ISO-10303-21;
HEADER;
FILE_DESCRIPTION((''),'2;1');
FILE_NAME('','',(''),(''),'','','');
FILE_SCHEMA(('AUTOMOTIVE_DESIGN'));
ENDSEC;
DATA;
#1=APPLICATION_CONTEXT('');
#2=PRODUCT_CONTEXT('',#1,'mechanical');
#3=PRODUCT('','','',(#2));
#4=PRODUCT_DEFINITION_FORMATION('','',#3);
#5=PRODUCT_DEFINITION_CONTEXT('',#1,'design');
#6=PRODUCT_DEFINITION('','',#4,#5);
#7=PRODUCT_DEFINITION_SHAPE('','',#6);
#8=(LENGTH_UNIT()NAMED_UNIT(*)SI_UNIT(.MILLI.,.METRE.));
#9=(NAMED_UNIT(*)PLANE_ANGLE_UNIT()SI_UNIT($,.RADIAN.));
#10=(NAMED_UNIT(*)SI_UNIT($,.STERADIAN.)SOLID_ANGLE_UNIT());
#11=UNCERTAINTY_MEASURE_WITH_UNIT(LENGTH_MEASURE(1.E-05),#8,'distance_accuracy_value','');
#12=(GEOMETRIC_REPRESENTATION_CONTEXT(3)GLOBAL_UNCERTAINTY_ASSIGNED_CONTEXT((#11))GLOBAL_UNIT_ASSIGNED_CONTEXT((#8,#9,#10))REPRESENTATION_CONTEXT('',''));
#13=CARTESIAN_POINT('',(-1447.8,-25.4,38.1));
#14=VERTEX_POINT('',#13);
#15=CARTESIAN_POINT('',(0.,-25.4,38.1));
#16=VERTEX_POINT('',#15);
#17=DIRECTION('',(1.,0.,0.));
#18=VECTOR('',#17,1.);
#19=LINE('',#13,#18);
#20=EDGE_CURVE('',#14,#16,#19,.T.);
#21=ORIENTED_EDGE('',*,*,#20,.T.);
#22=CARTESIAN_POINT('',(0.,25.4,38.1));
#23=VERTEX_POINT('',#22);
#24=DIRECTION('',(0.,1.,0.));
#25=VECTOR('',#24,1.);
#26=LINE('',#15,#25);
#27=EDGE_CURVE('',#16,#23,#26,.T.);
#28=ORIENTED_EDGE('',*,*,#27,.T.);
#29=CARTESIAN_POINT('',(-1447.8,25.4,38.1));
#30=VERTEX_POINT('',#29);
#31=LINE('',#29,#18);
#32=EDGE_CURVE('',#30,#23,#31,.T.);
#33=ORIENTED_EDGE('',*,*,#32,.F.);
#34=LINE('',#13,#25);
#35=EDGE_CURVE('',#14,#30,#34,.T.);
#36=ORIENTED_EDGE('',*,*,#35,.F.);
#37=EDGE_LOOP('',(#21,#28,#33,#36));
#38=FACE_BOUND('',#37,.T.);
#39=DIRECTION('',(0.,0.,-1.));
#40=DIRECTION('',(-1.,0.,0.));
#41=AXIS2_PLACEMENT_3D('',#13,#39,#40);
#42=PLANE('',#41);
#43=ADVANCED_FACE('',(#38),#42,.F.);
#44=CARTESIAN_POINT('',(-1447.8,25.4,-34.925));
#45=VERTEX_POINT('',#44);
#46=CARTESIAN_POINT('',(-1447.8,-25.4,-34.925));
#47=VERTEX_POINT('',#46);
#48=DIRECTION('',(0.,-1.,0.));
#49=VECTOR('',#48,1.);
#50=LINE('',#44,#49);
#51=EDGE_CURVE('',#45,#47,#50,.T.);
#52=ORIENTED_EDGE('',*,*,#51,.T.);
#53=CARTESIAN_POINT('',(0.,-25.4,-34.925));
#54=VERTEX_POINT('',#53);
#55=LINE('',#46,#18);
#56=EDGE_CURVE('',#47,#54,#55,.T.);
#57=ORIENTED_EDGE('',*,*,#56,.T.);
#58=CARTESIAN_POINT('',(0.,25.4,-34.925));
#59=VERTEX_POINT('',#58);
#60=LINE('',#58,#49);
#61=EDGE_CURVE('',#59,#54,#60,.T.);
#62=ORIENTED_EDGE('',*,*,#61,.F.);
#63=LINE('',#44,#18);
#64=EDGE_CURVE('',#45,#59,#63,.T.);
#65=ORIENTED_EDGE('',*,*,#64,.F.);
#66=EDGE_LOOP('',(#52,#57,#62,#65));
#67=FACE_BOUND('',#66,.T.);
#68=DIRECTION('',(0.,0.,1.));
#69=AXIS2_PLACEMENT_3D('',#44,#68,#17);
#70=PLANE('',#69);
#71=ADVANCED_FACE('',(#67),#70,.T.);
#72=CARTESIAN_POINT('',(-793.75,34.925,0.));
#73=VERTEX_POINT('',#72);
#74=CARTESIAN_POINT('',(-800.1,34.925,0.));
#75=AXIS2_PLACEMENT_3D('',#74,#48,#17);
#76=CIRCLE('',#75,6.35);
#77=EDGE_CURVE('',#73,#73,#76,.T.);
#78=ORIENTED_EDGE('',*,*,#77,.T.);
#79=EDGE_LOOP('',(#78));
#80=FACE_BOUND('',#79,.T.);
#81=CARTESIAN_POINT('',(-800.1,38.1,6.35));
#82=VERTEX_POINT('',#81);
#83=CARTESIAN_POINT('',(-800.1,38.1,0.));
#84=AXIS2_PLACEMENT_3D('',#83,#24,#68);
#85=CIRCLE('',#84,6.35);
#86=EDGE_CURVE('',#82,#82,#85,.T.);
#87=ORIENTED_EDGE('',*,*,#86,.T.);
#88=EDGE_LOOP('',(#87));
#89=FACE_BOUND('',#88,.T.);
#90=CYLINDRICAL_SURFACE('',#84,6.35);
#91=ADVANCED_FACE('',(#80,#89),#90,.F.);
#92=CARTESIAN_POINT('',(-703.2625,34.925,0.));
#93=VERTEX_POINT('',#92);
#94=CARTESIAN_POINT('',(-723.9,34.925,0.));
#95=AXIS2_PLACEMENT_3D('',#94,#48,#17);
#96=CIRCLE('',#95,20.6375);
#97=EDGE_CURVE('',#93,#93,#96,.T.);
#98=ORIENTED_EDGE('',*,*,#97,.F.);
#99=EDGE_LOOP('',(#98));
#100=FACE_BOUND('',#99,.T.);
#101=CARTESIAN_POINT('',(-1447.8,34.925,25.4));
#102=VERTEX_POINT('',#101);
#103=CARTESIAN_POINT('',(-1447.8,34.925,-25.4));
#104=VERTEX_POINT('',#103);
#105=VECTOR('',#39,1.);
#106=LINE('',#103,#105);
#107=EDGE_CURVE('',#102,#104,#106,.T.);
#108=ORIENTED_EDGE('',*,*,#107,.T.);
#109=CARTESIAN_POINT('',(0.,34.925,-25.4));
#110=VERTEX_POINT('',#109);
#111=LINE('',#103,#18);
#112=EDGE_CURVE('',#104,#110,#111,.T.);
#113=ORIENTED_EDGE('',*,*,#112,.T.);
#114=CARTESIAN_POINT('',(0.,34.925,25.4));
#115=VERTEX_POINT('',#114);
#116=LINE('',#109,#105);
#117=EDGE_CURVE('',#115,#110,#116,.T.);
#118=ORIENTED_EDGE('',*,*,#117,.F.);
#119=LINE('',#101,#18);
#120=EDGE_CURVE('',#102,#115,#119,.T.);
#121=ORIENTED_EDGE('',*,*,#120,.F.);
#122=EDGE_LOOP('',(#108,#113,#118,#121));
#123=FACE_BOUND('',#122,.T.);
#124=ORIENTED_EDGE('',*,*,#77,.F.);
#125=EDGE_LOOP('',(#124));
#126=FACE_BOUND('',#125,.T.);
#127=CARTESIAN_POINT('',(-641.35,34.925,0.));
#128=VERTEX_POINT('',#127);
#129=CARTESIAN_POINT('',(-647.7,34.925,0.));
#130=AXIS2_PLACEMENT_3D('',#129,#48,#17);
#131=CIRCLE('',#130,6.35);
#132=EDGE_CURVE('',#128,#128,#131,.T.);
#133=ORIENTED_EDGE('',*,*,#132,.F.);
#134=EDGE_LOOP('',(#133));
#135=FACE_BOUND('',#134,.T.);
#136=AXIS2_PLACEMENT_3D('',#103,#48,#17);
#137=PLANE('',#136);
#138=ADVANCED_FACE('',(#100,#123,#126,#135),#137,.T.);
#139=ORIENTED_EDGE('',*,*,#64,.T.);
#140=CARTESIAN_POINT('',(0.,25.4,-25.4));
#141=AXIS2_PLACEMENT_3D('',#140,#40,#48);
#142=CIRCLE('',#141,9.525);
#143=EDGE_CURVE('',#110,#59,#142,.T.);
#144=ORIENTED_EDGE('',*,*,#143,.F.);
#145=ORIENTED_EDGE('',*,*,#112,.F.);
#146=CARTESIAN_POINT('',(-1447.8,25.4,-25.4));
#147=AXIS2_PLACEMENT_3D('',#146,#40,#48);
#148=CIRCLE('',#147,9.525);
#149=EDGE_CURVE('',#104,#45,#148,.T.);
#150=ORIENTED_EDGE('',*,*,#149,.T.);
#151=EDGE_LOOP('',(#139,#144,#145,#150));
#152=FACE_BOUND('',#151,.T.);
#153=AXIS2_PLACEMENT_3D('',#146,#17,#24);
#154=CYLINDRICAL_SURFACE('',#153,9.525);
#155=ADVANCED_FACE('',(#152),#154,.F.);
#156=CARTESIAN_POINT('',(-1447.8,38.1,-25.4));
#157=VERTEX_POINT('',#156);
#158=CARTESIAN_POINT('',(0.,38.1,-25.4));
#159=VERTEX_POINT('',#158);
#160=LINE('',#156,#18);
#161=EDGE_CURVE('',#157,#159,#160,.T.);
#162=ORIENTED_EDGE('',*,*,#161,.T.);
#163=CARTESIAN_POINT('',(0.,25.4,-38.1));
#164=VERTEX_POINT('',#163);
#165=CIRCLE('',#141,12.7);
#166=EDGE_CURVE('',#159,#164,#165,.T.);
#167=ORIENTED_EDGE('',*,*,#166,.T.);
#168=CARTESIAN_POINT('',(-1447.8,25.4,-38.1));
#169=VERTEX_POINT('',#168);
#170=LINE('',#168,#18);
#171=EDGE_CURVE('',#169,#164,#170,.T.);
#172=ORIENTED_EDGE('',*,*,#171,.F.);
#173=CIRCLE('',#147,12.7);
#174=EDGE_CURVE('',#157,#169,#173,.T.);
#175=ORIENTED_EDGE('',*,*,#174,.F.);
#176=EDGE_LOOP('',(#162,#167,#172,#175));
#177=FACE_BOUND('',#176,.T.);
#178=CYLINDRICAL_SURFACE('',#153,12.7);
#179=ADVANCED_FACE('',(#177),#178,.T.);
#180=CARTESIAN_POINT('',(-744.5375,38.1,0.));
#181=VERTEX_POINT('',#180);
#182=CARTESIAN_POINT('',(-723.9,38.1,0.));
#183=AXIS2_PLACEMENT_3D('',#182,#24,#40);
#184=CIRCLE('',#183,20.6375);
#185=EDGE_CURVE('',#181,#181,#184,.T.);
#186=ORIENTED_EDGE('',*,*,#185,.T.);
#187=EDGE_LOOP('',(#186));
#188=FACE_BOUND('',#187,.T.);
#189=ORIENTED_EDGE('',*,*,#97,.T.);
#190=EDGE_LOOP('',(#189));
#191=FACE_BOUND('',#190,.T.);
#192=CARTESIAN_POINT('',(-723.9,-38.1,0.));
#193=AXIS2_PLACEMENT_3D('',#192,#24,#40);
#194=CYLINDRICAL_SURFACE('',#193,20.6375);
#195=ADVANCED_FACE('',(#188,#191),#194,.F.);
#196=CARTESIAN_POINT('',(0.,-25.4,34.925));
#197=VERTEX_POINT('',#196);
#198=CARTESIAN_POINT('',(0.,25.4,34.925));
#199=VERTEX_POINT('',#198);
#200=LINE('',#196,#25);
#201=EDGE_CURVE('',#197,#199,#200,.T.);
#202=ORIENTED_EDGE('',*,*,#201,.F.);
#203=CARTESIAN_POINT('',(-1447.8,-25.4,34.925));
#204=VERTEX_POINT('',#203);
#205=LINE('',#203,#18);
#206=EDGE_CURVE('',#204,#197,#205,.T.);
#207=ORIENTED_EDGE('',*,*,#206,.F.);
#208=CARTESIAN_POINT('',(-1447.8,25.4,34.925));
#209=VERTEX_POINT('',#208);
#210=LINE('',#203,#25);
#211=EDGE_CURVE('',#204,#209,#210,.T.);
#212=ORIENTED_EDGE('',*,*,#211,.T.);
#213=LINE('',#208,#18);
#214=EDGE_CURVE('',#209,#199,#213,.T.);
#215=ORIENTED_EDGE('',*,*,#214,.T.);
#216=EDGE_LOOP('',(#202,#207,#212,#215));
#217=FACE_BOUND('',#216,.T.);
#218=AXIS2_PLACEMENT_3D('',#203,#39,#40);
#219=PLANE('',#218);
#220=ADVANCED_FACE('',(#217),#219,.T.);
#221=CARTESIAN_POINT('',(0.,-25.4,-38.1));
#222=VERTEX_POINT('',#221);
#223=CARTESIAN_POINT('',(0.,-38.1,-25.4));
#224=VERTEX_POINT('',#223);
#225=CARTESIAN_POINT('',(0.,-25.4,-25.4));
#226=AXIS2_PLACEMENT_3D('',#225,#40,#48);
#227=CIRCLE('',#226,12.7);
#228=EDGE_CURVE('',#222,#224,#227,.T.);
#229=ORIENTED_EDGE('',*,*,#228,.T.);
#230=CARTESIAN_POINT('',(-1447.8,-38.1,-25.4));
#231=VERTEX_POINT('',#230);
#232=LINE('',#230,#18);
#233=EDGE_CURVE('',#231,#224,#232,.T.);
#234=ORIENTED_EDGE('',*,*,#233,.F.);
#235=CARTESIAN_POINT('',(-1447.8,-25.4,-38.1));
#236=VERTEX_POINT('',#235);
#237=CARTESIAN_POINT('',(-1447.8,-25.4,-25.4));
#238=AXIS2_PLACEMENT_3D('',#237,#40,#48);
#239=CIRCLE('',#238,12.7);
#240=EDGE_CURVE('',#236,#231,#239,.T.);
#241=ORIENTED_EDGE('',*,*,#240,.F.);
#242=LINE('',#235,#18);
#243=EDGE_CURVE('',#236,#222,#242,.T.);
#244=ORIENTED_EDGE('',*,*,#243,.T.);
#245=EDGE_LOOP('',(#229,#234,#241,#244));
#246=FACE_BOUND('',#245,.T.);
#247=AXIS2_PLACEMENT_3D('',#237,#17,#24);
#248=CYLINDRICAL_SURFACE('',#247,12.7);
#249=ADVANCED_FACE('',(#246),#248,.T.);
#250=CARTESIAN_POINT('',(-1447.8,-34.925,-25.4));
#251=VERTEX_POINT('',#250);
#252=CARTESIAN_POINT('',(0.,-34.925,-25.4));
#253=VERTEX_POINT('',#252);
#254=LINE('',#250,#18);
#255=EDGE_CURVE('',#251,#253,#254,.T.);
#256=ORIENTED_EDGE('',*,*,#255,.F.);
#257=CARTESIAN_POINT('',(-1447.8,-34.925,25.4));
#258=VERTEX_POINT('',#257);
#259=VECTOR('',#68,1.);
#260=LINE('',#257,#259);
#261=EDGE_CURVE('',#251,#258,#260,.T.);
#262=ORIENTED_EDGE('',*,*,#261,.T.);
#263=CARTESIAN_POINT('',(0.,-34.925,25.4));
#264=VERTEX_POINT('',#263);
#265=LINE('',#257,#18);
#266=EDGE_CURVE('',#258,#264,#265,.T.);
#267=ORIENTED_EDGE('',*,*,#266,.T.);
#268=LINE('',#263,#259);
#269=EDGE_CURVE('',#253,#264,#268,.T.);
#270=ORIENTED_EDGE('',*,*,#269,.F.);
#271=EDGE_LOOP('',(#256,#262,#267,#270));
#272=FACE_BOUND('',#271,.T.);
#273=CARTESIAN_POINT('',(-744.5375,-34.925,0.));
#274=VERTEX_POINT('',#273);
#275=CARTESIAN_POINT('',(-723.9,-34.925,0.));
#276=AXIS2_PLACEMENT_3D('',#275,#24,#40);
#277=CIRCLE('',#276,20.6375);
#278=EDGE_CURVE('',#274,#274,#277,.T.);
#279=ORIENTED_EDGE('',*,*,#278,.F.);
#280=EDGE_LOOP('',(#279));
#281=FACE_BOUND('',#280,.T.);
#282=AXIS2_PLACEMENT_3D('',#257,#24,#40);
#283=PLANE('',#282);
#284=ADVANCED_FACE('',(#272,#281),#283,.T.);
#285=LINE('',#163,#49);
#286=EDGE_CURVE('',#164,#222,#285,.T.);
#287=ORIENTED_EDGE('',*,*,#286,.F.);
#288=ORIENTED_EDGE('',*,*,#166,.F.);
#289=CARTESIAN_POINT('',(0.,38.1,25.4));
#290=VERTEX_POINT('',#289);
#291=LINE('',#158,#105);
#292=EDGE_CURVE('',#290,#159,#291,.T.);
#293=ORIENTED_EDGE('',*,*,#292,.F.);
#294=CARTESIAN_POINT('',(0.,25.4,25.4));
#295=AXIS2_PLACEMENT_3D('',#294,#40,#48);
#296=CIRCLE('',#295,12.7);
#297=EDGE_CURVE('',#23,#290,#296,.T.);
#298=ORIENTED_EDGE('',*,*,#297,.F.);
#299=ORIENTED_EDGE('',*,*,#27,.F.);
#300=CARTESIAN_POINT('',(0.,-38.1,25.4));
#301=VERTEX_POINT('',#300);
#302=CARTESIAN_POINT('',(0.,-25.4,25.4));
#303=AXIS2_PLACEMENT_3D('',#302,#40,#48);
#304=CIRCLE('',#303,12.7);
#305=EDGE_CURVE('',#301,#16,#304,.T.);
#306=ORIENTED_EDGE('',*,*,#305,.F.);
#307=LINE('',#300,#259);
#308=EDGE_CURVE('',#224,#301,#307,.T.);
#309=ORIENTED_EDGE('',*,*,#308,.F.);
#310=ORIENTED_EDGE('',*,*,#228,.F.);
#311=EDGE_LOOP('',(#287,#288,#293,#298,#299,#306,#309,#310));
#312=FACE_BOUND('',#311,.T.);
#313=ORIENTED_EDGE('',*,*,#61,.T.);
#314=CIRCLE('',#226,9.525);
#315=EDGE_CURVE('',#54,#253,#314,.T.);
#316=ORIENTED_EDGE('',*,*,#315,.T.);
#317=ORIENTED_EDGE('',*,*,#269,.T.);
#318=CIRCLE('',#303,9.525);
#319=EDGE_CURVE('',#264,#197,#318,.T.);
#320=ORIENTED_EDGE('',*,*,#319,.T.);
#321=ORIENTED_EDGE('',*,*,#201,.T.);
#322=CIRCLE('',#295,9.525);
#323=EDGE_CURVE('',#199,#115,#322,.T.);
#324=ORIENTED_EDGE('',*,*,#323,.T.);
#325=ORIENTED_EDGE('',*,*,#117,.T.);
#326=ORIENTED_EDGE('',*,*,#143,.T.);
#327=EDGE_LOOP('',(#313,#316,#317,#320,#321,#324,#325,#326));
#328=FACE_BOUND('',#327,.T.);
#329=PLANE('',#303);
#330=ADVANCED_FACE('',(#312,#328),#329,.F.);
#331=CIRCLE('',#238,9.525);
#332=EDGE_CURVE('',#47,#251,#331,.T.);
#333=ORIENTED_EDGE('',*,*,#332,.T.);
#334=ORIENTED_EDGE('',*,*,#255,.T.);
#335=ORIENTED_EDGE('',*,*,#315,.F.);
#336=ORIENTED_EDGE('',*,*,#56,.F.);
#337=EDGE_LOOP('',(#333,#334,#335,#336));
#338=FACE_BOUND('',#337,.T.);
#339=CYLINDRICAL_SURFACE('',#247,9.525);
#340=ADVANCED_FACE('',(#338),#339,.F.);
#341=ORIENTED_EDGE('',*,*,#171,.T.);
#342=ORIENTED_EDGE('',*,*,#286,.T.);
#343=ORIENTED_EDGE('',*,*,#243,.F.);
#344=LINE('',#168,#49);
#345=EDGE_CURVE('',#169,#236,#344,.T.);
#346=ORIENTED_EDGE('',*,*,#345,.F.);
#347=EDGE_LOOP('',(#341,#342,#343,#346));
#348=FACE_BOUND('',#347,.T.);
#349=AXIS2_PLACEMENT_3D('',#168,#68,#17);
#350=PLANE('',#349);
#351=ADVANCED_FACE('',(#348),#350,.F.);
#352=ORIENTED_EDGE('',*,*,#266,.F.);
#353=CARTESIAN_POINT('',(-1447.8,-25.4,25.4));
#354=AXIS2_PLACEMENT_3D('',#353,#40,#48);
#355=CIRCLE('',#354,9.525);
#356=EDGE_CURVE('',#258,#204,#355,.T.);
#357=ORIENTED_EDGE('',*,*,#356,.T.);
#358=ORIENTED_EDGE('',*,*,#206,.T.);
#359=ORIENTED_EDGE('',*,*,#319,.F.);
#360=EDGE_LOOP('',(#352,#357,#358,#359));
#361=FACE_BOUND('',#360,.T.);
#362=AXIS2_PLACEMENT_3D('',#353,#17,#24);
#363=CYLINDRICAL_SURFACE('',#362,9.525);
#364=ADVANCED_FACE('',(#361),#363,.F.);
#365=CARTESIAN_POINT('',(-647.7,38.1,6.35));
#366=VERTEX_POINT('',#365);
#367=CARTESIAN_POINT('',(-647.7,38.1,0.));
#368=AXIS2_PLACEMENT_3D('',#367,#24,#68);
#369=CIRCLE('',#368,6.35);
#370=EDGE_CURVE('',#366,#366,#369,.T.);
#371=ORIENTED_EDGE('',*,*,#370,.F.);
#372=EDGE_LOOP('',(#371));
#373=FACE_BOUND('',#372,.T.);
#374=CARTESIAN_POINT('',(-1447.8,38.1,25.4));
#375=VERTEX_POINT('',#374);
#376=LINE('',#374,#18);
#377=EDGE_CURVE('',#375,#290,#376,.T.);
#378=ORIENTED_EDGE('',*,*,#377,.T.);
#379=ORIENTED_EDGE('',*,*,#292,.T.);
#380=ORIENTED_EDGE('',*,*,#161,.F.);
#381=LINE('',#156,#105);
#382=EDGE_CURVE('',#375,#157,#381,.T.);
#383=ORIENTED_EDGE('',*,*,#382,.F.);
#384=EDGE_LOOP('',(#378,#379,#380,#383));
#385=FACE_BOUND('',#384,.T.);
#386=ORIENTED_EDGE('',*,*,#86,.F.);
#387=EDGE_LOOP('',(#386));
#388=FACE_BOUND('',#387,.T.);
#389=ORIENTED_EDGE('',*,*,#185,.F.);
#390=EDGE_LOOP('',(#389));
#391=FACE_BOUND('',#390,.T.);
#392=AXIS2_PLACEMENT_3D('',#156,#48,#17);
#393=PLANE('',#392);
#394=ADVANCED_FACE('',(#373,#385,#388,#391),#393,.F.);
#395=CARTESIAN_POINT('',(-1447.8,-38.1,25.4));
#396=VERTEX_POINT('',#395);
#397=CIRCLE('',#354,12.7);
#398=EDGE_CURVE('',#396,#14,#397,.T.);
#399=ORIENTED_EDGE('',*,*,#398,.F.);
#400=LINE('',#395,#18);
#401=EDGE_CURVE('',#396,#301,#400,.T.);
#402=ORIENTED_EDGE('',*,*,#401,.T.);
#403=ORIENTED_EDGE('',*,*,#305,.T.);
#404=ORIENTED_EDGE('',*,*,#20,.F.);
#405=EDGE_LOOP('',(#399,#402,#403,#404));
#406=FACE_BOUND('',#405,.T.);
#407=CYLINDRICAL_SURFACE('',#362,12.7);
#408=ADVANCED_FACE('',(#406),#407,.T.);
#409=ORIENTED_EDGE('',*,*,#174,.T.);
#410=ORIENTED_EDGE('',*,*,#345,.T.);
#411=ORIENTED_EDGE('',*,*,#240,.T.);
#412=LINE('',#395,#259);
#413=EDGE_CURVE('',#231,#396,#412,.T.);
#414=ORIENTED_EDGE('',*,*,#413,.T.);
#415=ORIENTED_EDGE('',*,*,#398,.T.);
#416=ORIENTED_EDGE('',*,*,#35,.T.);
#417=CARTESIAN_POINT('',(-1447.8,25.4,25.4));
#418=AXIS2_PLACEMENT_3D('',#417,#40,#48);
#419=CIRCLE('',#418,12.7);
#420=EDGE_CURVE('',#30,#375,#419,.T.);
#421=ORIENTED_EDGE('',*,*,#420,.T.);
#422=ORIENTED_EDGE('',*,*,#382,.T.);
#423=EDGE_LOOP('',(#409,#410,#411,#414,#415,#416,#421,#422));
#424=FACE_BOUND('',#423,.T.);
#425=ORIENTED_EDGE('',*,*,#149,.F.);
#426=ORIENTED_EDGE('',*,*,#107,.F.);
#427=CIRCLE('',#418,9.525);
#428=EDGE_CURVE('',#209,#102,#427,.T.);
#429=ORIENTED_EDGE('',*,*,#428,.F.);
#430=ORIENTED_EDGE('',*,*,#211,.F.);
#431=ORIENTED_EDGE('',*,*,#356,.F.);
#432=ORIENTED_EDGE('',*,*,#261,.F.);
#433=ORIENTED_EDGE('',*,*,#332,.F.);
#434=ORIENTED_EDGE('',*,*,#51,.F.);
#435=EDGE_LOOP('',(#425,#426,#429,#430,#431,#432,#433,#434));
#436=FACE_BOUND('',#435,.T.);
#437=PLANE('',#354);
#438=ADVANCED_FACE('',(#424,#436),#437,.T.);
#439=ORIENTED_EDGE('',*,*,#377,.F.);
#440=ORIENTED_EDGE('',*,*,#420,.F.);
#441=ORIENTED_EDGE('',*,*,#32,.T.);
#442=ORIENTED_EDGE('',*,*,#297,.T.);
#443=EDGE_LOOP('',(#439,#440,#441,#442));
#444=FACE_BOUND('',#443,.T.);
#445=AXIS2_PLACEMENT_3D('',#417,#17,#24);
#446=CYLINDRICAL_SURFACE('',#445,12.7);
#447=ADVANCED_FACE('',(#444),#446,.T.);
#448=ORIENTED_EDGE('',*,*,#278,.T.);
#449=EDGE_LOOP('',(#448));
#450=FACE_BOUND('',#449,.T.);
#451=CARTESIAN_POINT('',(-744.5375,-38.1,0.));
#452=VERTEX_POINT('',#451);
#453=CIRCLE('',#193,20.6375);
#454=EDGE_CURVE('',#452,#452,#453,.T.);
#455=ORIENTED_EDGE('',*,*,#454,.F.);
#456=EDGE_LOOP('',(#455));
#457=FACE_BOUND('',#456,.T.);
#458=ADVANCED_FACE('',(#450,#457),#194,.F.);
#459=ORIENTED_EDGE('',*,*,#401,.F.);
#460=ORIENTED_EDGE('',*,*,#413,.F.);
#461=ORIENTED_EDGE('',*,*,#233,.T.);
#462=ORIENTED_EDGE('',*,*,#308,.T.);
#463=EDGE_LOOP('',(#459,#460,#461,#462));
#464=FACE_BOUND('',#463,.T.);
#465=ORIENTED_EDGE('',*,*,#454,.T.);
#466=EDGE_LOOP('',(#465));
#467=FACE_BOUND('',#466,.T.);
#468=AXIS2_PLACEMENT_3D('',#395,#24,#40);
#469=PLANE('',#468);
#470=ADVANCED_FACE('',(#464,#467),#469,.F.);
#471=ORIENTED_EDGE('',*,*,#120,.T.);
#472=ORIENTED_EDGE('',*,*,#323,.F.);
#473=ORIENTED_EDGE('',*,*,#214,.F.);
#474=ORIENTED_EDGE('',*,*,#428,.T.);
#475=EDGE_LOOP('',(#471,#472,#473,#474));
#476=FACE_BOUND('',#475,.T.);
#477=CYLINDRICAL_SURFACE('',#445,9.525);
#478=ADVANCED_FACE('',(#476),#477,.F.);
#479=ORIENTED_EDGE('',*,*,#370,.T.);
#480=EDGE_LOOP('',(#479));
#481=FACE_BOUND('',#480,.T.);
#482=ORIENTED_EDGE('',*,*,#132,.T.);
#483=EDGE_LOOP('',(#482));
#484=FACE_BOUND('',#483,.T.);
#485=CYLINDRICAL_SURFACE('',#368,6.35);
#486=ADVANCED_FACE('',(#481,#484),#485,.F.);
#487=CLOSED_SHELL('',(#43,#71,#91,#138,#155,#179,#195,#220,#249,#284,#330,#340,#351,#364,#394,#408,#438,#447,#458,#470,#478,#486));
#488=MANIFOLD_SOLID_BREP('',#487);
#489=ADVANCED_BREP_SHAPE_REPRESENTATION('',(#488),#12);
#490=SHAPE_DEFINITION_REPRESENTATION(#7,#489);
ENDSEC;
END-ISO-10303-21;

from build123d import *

# Parameters (mm, degrees)
STRUCTURAL_MEMBER1_DEPTH       = 1447.8
SKETCH12_R                     = 20.6375
CUT_EXTRUDE1_DEPTH             = 1451.304412873
F_1_2_0_5_DIAMETER_HOLE1_D     = 12.7
F_1_2_0_5_DIAMETER_HOLE1_DEPTH = 25.4
F_1_2_0_5_DIAMETER_HOLE1_TIP   = 3.815464931


with BuildPart() as part:
    # Sketch11 → Structural Member1 (new body)
    with BuildSketch(Plane(origin=(0, 0, 0), x_dir=(0, -1, 0), z_dir=(-1, 0, 0))):
        with BuildLine():
            Line((-25.4, -38.1), (25.4, -38.1))
            ThreePointArc((25.4, -38.1), (34.380256121, -34.380256121), (38.1, -25.4))
            Line((38.1, -25.4), (38.1, 25.4))
            ThreePointArc((38.1, 25.4), (34.380256121, 34.380256121), (25.4, 38.1))
            Line((25.4, 38.1), (-25.4, 38.1))
            ThreePointArc((-25.4, 38.1), (-34.380256121, 34.380256121), (-38.1, 25.4))
            Line((-38.1, 25.4), (-38.1, -25.4))
            ThreePointArc((-38.1, -25.4), (-34.380256121, -34.380256121), (-25.4, -38.1))
        make_face()
        with BuildLine():
            Line((-25.4, -34.925), (25.4, -34.925))
            ThreePointArc((25.4, -34.925), (32.135192091, -32.135192091), (34.925, -25.4))
            Line((34.925, -25.4), (34.925, 25.4))
            ThreePointArc((34.925, 25.4), (32.135192091, 32.135192091), (25.4, 34.925))
            Line((25.4, 34.925), (-25.4, 34.925))
            ThreePointArc((-25.4, 34.925), (-32.135192091, 32.135192091), (-34.925, 25.4))
            Line((-34.925, 25.4), (-34.925, -25.4))
            ThreePointArc((-34.925, -25.4), (-32.135192091, -32.135192091), (-25.4, -34.925))
        make_face(mode=Mode.SUBTRACT)
    extrude(amount=STRUCTURAL_MEMBER1_DEPTH)

    # Sketch12 → Cut-Extrude1 (cut, through all)
    with BuildSketch(Plane(origin=(0, 38.1, 0), x_dir=(1, 0, 0), z_dir=(0, 1, 0))):
        with Locations(Location((-723.9, 0, 0), (0, 0, 180))):
            Circle(SKETCH12_R)
    extrude(amount=-CUT_EXTRUDE1_DEPTH, mode=Mode.SUBTRACT)

    # 1/2 (0.5) Diameter Hole1
    with Locations(Plane(origin=(-800.1, 38.1, 0), x_dir=(0, 0, 1), z_dir=(0, 1, 0))):
        with Locations((0, 0), (0, 152.4)):
            Hole(F_1_2_0_5_DIAMETER_HOLE1_D / 2, depth=F_1_2_0_5_DIAMETER_HOLE1_DEPTH)
            with Locations((0, 0, -(F_1_2_0_5_DIAMETER_HOLE1_DEPTH + F_1_2_0_5_DIAMETER_HOLE1_TIP / 2))):  # 118° drill point
                Cone(0, F_1_2_0_5_DIAMETER_HOLE1_D / 2, F_1_2_0_5_DIAMETER_HOLE1_TIP, mode=Mode.SUBTRACT)


solid = part.part
